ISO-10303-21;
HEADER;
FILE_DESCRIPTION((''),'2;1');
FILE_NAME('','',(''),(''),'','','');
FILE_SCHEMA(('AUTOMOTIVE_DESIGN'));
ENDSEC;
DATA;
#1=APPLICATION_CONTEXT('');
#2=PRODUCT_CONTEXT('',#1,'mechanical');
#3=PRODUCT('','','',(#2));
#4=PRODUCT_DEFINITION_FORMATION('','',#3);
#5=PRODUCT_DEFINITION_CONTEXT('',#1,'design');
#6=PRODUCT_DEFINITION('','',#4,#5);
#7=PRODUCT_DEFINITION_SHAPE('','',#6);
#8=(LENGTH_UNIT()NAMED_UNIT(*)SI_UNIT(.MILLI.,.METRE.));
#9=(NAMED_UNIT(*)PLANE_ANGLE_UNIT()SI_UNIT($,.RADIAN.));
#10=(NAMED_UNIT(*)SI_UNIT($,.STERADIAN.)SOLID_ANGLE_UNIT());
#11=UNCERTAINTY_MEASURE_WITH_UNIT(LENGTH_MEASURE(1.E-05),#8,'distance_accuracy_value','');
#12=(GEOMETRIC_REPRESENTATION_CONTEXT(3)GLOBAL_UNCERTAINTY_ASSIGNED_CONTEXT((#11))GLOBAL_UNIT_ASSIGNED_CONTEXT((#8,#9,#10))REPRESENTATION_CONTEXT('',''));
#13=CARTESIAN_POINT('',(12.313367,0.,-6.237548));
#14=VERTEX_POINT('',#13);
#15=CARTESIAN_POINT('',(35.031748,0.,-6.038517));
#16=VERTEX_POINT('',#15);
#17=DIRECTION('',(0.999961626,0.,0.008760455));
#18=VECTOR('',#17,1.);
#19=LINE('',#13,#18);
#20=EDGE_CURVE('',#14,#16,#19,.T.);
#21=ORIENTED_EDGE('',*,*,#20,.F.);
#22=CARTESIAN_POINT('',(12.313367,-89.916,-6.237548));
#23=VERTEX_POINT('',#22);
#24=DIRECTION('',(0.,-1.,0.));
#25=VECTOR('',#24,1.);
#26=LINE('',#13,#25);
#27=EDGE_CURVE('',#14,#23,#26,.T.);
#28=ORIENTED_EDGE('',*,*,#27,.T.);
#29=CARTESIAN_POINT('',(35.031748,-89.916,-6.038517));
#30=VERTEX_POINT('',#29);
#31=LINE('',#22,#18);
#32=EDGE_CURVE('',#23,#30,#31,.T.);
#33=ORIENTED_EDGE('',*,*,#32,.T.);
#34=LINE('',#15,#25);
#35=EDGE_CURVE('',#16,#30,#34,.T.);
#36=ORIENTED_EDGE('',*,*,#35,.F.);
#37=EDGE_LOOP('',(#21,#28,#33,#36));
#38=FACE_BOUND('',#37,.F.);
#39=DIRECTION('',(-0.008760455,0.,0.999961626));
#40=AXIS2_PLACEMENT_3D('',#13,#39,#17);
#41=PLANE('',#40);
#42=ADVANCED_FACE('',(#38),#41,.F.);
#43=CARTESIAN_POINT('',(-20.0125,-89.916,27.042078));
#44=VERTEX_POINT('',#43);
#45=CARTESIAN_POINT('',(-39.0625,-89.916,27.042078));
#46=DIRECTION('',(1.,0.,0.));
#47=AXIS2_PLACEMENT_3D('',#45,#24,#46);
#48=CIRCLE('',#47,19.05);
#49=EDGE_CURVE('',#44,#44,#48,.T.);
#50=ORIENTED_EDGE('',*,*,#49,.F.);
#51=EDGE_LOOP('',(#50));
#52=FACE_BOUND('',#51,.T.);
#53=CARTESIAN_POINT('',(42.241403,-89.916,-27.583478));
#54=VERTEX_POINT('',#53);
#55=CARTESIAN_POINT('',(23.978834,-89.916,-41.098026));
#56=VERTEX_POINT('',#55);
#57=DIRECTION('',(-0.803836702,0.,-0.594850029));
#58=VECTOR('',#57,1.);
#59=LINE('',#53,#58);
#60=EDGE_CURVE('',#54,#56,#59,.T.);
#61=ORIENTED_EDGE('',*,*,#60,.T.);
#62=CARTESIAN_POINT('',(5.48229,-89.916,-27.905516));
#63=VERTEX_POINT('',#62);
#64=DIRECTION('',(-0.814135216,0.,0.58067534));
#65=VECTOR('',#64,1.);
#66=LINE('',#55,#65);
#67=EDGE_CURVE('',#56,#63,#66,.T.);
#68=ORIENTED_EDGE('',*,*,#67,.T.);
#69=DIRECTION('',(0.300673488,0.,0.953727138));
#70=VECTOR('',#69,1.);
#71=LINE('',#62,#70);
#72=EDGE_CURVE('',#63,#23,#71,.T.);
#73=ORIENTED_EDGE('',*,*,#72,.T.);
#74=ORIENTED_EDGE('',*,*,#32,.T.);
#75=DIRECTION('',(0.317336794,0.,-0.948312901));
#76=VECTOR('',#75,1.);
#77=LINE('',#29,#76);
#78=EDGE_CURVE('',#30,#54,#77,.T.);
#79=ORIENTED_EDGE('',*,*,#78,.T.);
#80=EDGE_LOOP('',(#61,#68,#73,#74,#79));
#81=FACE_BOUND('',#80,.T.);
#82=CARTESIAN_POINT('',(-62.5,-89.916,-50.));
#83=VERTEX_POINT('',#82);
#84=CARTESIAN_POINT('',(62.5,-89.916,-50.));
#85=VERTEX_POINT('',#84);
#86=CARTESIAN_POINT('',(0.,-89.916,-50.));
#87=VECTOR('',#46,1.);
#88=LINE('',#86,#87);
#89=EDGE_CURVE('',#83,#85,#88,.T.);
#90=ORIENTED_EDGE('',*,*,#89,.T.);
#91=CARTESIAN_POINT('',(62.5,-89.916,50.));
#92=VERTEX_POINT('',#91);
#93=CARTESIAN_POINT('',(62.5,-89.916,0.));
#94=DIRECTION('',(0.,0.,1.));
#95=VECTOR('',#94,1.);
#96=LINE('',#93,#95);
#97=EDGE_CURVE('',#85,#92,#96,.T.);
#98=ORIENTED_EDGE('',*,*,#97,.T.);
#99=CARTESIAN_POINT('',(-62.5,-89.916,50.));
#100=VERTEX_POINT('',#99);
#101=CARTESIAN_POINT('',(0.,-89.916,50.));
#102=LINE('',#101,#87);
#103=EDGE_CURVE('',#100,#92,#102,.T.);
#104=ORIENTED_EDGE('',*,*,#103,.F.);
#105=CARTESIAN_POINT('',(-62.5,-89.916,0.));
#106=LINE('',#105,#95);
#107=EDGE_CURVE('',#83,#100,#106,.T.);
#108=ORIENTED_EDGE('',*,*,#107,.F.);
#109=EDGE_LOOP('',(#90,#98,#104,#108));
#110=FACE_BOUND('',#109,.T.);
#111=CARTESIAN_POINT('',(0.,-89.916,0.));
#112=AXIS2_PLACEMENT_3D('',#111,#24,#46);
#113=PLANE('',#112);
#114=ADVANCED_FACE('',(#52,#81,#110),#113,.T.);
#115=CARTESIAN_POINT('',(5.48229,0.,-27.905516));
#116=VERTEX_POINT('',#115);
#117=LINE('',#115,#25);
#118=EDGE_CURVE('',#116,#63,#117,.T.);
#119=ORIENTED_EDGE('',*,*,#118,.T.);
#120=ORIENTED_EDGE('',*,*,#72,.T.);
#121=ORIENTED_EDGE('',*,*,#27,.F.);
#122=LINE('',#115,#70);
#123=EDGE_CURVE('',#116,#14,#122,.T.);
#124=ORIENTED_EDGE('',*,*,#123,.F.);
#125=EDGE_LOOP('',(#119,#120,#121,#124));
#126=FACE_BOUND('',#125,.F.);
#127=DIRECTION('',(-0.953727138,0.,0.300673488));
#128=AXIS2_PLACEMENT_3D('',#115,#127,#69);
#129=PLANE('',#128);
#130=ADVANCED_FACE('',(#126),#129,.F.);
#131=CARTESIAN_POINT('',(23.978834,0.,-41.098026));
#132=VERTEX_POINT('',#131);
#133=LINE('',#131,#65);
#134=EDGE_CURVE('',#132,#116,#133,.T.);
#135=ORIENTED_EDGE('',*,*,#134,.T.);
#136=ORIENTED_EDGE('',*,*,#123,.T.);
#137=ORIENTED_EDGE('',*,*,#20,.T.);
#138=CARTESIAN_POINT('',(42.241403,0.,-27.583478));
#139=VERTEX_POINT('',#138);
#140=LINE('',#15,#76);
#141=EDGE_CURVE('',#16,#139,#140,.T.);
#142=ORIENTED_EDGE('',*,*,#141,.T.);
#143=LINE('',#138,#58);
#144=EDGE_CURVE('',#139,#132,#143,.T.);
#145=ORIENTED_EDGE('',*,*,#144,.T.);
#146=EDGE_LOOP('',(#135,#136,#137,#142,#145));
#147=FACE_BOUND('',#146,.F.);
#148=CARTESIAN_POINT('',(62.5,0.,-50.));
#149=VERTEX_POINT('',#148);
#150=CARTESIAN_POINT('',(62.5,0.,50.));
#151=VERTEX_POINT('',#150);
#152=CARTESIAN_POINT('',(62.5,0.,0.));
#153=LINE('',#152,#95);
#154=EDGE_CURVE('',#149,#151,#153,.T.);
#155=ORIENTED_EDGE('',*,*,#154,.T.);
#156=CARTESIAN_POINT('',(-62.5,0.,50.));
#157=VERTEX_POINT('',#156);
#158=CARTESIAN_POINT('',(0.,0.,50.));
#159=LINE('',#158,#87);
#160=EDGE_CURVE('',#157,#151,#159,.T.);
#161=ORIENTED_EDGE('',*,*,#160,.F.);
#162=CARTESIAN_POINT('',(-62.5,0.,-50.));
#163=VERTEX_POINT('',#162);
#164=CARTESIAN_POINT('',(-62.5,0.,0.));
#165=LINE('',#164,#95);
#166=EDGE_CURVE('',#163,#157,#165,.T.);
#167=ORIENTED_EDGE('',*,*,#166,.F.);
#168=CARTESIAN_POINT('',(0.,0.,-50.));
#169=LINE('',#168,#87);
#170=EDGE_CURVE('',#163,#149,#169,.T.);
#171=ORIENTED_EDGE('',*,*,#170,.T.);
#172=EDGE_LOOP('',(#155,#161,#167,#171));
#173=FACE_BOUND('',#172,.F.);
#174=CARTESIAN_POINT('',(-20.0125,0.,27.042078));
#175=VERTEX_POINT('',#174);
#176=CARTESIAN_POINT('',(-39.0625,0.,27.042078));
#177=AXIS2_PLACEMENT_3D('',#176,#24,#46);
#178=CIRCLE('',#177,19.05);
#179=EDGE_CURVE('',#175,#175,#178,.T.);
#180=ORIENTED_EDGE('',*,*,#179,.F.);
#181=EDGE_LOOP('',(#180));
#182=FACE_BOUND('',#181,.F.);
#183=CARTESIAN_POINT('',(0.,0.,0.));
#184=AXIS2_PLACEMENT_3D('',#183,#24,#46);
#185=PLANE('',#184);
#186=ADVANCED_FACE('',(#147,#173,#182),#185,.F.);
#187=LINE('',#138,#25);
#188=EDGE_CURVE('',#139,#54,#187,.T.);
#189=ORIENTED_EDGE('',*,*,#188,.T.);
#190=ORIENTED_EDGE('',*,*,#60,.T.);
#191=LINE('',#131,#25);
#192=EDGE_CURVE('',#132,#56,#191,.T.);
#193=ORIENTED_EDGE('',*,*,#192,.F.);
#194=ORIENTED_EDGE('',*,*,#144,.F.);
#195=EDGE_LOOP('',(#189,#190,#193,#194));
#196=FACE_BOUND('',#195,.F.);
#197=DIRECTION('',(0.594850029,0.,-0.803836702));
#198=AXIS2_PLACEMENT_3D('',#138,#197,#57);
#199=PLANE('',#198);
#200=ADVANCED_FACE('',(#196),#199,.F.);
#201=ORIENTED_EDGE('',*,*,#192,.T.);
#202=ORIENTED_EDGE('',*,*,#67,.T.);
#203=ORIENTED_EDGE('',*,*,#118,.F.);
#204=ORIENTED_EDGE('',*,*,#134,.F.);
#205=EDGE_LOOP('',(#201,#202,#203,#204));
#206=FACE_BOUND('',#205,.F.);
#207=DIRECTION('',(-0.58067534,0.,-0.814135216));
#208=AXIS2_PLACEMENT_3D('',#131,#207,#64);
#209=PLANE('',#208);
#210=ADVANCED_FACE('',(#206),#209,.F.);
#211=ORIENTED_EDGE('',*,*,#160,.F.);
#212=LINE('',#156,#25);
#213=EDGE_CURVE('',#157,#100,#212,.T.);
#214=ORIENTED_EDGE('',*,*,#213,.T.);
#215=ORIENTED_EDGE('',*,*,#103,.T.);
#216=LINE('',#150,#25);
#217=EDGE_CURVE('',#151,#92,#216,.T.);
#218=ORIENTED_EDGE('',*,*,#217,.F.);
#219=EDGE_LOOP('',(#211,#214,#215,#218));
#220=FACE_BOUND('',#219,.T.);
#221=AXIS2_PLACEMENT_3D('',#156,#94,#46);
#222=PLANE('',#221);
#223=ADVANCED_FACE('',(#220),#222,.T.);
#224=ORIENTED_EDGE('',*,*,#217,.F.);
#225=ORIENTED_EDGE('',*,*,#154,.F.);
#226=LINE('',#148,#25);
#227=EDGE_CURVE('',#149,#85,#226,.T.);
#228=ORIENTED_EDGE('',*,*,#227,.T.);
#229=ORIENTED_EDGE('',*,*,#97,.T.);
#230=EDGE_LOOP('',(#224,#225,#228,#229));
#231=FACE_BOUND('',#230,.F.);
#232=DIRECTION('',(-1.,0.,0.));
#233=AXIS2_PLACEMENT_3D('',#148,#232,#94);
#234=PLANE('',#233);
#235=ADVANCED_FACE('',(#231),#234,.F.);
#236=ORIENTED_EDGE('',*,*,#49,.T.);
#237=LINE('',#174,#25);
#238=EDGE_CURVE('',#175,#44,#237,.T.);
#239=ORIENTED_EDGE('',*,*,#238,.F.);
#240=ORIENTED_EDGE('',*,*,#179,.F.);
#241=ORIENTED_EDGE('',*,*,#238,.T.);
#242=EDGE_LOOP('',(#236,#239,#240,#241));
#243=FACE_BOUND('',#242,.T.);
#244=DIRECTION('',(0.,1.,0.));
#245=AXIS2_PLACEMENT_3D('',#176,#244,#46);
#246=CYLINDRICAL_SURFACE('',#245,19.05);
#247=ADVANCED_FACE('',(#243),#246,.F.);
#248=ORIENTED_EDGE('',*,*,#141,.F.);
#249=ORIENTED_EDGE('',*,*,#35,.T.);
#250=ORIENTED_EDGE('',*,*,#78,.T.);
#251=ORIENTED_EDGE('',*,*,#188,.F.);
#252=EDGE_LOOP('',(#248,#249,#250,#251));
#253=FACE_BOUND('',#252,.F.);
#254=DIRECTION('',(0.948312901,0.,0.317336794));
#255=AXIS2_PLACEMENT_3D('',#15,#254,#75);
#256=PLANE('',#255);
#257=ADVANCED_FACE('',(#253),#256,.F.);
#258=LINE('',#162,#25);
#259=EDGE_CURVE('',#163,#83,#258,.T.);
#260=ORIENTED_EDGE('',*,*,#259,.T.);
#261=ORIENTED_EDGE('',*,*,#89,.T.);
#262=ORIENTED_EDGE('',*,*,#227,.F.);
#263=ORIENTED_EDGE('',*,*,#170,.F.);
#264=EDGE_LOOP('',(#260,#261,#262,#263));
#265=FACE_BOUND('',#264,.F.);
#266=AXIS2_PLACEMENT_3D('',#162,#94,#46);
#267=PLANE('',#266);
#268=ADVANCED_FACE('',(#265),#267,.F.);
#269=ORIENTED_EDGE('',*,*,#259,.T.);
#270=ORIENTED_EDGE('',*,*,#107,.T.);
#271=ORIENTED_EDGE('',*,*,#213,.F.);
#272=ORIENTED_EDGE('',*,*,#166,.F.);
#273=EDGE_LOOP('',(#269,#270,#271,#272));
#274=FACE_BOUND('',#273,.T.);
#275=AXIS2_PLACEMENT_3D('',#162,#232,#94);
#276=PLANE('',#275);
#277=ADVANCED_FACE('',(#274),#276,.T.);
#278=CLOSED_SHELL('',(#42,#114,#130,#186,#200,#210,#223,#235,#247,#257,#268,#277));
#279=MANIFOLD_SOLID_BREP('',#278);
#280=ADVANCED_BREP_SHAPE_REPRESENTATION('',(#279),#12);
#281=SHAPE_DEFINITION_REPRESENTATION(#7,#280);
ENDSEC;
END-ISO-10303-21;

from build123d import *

# Parameters (mm, degrees)
F0_W     = 125
F0_H     = 100
F0_R     = 19.05
F1_DEPTH = 89.916


with BuildPart() as f1:
    # F0 (on Front) → F1 (new body)
    with BuildSketch(Plane.XZ):
        Rectangle(F0_W, F0_H)
        Polygon((35.031748, -6.038517), (42.241403, -27.583478), (23.978834, -41.098026), (5.48229, -27.905516), (12.313367, -6.237548), align=None, mode=Mode.SUBTRACT)
        with Locations((-39.0625, 27.042078)):
            Circle(F0_R, mode=Mode.SUBTRACT)
    extrude(amount=F1_DEPTH)


solid = f1.part
